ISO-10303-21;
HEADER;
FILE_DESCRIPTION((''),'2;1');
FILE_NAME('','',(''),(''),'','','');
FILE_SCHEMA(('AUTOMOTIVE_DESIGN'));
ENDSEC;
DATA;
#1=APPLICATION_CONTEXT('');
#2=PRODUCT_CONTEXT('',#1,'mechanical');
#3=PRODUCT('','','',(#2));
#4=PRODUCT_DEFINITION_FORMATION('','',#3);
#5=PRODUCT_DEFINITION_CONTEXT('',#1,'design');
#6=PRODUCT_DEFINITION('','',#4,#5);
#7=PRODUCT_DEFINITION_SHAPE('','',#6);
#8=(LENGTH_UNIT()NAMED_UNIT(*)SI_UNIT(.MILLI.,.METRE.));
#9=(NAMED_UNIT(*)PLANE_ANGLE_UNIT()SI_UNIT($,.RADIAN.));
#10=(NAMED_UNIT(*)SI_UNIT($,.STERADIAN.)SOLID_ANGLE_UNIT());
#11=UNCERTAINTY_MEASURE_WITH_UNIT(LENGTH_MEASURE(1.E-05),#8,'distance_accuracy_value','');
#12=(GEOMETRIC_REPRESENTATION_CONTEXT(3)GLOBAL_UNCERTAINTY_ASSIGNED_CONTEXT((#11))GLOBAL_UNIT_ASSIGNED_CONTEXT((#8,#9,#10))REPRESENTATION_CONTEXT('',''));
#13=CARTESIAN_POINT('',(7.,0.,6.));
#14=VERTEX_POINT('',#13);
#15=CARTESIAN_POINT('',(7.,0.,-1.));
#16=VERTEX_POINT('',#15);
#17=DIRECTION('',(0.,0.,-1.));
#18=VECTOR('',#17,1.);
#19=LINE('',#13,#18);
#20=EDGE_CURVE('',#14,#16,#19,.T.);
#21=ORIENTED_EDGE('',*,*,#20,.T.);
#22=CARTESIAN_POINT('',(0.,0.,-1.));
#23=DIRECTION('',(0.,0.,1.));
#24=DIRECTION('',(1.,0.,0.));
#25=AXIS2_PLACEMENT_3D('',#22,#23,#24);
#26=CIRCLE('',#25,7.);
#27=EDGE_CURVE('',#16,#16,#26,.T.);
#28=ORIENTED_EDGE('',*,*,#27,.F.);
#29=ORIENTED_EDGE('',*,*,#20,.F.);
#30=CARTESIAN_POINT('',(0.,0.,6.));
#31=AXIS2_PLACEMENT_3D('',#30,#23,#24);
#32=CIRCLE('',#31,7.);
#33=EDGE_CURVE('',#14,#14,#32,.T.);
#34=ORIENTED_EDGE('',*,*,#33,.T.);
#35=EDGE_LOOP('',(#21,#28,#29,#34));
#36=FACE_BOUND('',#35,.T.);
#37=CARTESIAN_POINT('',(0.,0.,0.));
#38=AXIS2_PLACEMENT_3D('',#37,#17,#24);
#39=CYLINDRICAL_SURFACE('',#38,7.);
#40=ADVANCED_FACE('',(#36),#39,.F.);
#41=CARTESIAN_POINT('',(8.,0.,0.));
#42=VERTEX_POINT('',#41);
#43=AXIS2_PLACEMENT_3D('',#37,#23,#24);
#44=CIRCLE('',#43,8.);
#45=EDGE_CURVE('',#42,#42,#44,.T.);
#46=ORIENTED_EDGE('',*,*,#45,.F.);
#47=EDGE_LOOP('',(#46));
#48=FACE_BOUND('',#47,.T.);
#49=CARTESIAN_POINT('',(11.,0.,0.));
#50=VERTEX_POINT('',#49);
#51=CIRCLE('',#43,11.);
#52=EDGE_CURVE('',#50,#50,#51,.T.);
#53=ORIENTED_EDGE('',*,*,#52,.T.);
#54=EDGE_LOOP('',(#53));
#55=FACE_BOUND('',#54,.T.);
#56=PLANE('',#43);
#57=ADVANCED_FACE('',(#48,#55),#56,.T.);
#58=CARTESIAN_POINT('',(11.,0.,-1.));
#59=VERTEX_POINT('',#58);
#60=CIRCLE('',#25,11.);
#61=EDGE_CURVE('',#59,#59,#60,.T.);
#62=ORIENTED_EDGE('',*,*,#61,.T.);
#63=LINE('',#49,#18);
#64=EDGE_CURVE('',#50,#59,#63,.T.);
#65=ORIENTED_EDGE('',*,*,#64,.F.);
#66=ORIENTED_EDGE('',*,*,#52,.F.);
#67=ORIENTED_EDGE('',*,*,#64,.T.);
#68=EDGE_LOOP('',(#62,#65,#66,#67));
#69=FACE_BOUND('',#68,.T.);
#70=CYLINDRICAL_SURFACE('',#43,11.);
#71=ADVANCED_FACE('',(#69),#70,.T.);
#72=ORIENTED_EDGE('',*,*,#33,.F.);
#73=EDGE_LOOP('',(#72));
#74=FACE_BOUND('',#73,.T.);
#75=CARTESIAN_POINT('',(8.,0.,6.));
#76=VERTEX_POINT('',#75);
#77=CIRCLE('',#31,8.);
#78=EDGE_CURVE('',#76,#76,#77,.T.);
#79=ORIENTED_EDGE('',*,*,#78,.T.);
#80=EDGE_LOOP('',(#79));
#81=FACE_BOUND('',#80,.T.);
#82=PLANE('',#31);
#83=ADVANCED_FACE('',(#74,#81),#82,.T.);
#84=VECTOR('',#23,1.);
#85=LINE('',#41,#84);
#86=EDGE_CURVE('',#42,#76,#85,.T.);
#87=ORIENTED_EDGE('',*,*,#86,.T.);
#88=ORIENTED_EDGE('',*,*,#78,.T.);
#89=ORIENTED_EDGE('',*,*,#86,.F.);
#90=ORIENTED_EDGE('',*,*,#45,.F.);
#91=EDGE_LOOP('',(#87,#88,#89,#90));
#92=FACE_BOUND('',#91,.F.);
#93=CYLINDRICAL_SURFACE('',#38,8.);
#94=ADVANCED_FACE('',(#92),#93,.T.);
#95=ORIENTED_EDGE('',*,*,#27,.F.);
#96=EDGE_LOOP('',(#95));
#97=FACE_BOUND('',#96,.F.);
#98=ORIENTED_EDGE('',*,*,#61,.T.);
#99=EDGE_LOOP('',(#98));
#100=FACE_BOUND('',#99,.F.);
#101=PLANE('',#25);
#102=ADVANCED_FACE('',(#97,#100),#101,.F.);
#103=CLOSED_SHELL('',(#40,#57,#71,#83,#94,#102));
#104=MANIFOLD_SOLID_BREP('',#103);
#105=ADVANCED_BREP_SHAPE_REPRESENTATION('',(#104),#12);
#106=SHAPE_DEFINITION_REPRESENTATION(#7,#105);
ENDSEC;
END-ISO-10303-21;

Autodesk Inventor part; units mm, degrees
ref_plane "YZ Plane" through (0, 0, 0) normal (1, 0, 0) x (0, 1, 0)
ref_plane "XZ Plane" through (0, 0, 0) normal (0, 1, 0) x (-1, 0, 0)
ref_plane "XY Plane" through (0, 0, 0) normal (0, 0, 1) x (1, 0, 0)
sketch "スケッチ1" plane through (0, 0, 0) normal (0, 0, 1) x (1, 0, 0)
  circle A0 centre (0, 0) radius 7
  circle A1 centre (0, 0) radius 8
  circle A2 centre (0, 0) radius 11
  dimension "d0" = 14
  dimension "d1" = 16
  dimension "d2" = 22
extrude "押し出し1" add sketch "スケッチ1" along normal blind 6 contours A1
extrude "押し出し2" add sketch "スケッチ1" against normal blind 1 contours A1 | A2
properties part number "ドライメット　内径14 フランジ付き6mm" material "鋼"
